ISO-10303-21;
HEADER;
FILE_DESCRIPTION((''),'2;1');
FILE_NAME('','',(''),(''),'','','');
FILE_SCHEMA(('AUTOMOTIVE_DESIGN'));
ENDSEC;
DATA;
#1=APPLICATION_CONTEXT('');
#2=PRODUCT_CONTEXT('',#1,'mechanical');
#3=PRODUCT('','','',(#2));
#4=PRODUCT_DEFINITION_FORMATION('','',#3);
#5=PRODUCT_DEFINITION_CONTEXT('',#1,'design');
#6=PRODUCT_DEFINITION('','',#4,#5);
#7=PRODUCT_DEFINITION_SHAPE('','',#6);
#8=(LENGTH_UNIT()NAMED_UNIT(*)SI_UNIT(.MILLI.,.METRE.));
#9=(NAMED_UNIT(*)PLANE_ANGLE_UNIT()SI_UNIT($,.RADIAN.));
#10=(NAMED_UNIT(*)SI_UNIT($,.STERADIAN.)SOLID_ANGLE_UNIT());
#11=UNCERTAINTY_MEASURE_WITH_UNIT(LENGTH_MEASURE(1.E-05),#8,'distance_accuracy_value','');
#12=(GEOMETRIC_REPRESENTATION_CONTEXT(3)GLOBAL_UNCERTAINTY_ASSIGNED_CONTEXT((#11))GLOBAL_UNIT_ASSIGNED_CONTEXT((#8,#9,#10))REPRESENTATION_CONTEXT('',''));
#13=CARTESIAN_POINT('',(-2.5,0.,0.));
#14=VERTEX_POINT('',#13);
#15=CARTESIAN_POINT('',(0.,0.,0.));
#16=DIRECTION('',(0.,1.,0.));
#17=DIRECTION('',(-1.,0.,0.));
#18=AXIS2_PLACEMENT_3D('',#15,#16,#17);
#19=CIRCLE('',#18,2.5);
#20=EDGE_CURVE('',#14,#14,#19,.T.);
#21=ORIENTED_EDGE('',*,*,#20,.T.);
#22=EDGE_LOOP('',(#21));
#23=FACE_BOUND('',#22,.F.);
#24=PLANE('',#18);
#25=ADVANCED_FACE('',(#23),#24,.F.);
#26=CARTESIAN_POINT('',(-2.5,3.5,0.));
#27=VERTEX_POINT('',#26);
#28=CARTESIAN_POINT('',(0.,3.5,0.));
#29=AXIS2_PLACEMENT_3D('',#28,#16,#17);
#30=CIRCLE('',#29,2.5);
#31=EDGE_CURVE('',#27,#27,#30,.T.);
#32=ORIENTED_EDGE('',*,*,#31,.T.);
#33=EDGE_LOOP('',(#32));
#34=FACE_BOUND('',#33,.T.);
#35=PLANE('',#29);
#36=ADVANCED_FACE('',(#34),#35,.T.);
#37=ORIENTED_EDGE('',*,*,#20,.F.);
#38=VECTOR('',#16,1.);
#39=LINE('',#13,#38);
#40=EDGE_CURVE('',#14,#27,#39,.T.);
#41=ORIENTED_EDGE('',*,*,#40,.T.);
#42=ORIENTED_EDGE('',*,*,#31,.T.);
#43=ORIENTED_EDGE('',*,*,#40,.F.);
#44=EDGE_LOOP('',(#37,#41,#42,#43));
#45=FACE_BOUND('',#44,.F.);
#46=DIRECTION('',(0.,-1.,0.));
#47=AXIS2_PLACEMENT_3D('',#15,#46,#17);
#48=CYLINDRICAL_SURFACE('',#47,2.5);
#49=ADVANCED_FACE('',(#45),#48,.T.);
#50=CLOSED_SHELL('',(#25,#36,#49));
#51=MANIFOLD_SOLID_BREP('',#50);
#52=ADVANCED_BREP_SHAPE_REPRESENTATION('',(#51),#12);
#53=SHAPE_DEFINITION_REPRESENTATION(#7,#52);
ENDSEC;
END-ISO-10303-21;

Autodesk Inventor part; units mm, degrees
ref_plane "YZ Plane" through (0, 0, 0) normal (1, 0, 0) x (0, 1, 0)
ref_plane "XZ Plane" through (0, 0, 0) normal (0, 1, 0) x (-1, 0, 0)
ref_plane "XY Plane" through (0, 0, 0) normal (0, 0, 1) x (1, 0, 0)
sketch "草圖1" plane through (0, 0, 0) normal (0, 1, 0) x (-1, 0, 0)
  circle A0 centre (0, 0) radius 2.5
  dimension "d0" = 5
extrude "擠出1" add sketch "草圖1" along normal blind 3.5
properties part number "圓柱"
